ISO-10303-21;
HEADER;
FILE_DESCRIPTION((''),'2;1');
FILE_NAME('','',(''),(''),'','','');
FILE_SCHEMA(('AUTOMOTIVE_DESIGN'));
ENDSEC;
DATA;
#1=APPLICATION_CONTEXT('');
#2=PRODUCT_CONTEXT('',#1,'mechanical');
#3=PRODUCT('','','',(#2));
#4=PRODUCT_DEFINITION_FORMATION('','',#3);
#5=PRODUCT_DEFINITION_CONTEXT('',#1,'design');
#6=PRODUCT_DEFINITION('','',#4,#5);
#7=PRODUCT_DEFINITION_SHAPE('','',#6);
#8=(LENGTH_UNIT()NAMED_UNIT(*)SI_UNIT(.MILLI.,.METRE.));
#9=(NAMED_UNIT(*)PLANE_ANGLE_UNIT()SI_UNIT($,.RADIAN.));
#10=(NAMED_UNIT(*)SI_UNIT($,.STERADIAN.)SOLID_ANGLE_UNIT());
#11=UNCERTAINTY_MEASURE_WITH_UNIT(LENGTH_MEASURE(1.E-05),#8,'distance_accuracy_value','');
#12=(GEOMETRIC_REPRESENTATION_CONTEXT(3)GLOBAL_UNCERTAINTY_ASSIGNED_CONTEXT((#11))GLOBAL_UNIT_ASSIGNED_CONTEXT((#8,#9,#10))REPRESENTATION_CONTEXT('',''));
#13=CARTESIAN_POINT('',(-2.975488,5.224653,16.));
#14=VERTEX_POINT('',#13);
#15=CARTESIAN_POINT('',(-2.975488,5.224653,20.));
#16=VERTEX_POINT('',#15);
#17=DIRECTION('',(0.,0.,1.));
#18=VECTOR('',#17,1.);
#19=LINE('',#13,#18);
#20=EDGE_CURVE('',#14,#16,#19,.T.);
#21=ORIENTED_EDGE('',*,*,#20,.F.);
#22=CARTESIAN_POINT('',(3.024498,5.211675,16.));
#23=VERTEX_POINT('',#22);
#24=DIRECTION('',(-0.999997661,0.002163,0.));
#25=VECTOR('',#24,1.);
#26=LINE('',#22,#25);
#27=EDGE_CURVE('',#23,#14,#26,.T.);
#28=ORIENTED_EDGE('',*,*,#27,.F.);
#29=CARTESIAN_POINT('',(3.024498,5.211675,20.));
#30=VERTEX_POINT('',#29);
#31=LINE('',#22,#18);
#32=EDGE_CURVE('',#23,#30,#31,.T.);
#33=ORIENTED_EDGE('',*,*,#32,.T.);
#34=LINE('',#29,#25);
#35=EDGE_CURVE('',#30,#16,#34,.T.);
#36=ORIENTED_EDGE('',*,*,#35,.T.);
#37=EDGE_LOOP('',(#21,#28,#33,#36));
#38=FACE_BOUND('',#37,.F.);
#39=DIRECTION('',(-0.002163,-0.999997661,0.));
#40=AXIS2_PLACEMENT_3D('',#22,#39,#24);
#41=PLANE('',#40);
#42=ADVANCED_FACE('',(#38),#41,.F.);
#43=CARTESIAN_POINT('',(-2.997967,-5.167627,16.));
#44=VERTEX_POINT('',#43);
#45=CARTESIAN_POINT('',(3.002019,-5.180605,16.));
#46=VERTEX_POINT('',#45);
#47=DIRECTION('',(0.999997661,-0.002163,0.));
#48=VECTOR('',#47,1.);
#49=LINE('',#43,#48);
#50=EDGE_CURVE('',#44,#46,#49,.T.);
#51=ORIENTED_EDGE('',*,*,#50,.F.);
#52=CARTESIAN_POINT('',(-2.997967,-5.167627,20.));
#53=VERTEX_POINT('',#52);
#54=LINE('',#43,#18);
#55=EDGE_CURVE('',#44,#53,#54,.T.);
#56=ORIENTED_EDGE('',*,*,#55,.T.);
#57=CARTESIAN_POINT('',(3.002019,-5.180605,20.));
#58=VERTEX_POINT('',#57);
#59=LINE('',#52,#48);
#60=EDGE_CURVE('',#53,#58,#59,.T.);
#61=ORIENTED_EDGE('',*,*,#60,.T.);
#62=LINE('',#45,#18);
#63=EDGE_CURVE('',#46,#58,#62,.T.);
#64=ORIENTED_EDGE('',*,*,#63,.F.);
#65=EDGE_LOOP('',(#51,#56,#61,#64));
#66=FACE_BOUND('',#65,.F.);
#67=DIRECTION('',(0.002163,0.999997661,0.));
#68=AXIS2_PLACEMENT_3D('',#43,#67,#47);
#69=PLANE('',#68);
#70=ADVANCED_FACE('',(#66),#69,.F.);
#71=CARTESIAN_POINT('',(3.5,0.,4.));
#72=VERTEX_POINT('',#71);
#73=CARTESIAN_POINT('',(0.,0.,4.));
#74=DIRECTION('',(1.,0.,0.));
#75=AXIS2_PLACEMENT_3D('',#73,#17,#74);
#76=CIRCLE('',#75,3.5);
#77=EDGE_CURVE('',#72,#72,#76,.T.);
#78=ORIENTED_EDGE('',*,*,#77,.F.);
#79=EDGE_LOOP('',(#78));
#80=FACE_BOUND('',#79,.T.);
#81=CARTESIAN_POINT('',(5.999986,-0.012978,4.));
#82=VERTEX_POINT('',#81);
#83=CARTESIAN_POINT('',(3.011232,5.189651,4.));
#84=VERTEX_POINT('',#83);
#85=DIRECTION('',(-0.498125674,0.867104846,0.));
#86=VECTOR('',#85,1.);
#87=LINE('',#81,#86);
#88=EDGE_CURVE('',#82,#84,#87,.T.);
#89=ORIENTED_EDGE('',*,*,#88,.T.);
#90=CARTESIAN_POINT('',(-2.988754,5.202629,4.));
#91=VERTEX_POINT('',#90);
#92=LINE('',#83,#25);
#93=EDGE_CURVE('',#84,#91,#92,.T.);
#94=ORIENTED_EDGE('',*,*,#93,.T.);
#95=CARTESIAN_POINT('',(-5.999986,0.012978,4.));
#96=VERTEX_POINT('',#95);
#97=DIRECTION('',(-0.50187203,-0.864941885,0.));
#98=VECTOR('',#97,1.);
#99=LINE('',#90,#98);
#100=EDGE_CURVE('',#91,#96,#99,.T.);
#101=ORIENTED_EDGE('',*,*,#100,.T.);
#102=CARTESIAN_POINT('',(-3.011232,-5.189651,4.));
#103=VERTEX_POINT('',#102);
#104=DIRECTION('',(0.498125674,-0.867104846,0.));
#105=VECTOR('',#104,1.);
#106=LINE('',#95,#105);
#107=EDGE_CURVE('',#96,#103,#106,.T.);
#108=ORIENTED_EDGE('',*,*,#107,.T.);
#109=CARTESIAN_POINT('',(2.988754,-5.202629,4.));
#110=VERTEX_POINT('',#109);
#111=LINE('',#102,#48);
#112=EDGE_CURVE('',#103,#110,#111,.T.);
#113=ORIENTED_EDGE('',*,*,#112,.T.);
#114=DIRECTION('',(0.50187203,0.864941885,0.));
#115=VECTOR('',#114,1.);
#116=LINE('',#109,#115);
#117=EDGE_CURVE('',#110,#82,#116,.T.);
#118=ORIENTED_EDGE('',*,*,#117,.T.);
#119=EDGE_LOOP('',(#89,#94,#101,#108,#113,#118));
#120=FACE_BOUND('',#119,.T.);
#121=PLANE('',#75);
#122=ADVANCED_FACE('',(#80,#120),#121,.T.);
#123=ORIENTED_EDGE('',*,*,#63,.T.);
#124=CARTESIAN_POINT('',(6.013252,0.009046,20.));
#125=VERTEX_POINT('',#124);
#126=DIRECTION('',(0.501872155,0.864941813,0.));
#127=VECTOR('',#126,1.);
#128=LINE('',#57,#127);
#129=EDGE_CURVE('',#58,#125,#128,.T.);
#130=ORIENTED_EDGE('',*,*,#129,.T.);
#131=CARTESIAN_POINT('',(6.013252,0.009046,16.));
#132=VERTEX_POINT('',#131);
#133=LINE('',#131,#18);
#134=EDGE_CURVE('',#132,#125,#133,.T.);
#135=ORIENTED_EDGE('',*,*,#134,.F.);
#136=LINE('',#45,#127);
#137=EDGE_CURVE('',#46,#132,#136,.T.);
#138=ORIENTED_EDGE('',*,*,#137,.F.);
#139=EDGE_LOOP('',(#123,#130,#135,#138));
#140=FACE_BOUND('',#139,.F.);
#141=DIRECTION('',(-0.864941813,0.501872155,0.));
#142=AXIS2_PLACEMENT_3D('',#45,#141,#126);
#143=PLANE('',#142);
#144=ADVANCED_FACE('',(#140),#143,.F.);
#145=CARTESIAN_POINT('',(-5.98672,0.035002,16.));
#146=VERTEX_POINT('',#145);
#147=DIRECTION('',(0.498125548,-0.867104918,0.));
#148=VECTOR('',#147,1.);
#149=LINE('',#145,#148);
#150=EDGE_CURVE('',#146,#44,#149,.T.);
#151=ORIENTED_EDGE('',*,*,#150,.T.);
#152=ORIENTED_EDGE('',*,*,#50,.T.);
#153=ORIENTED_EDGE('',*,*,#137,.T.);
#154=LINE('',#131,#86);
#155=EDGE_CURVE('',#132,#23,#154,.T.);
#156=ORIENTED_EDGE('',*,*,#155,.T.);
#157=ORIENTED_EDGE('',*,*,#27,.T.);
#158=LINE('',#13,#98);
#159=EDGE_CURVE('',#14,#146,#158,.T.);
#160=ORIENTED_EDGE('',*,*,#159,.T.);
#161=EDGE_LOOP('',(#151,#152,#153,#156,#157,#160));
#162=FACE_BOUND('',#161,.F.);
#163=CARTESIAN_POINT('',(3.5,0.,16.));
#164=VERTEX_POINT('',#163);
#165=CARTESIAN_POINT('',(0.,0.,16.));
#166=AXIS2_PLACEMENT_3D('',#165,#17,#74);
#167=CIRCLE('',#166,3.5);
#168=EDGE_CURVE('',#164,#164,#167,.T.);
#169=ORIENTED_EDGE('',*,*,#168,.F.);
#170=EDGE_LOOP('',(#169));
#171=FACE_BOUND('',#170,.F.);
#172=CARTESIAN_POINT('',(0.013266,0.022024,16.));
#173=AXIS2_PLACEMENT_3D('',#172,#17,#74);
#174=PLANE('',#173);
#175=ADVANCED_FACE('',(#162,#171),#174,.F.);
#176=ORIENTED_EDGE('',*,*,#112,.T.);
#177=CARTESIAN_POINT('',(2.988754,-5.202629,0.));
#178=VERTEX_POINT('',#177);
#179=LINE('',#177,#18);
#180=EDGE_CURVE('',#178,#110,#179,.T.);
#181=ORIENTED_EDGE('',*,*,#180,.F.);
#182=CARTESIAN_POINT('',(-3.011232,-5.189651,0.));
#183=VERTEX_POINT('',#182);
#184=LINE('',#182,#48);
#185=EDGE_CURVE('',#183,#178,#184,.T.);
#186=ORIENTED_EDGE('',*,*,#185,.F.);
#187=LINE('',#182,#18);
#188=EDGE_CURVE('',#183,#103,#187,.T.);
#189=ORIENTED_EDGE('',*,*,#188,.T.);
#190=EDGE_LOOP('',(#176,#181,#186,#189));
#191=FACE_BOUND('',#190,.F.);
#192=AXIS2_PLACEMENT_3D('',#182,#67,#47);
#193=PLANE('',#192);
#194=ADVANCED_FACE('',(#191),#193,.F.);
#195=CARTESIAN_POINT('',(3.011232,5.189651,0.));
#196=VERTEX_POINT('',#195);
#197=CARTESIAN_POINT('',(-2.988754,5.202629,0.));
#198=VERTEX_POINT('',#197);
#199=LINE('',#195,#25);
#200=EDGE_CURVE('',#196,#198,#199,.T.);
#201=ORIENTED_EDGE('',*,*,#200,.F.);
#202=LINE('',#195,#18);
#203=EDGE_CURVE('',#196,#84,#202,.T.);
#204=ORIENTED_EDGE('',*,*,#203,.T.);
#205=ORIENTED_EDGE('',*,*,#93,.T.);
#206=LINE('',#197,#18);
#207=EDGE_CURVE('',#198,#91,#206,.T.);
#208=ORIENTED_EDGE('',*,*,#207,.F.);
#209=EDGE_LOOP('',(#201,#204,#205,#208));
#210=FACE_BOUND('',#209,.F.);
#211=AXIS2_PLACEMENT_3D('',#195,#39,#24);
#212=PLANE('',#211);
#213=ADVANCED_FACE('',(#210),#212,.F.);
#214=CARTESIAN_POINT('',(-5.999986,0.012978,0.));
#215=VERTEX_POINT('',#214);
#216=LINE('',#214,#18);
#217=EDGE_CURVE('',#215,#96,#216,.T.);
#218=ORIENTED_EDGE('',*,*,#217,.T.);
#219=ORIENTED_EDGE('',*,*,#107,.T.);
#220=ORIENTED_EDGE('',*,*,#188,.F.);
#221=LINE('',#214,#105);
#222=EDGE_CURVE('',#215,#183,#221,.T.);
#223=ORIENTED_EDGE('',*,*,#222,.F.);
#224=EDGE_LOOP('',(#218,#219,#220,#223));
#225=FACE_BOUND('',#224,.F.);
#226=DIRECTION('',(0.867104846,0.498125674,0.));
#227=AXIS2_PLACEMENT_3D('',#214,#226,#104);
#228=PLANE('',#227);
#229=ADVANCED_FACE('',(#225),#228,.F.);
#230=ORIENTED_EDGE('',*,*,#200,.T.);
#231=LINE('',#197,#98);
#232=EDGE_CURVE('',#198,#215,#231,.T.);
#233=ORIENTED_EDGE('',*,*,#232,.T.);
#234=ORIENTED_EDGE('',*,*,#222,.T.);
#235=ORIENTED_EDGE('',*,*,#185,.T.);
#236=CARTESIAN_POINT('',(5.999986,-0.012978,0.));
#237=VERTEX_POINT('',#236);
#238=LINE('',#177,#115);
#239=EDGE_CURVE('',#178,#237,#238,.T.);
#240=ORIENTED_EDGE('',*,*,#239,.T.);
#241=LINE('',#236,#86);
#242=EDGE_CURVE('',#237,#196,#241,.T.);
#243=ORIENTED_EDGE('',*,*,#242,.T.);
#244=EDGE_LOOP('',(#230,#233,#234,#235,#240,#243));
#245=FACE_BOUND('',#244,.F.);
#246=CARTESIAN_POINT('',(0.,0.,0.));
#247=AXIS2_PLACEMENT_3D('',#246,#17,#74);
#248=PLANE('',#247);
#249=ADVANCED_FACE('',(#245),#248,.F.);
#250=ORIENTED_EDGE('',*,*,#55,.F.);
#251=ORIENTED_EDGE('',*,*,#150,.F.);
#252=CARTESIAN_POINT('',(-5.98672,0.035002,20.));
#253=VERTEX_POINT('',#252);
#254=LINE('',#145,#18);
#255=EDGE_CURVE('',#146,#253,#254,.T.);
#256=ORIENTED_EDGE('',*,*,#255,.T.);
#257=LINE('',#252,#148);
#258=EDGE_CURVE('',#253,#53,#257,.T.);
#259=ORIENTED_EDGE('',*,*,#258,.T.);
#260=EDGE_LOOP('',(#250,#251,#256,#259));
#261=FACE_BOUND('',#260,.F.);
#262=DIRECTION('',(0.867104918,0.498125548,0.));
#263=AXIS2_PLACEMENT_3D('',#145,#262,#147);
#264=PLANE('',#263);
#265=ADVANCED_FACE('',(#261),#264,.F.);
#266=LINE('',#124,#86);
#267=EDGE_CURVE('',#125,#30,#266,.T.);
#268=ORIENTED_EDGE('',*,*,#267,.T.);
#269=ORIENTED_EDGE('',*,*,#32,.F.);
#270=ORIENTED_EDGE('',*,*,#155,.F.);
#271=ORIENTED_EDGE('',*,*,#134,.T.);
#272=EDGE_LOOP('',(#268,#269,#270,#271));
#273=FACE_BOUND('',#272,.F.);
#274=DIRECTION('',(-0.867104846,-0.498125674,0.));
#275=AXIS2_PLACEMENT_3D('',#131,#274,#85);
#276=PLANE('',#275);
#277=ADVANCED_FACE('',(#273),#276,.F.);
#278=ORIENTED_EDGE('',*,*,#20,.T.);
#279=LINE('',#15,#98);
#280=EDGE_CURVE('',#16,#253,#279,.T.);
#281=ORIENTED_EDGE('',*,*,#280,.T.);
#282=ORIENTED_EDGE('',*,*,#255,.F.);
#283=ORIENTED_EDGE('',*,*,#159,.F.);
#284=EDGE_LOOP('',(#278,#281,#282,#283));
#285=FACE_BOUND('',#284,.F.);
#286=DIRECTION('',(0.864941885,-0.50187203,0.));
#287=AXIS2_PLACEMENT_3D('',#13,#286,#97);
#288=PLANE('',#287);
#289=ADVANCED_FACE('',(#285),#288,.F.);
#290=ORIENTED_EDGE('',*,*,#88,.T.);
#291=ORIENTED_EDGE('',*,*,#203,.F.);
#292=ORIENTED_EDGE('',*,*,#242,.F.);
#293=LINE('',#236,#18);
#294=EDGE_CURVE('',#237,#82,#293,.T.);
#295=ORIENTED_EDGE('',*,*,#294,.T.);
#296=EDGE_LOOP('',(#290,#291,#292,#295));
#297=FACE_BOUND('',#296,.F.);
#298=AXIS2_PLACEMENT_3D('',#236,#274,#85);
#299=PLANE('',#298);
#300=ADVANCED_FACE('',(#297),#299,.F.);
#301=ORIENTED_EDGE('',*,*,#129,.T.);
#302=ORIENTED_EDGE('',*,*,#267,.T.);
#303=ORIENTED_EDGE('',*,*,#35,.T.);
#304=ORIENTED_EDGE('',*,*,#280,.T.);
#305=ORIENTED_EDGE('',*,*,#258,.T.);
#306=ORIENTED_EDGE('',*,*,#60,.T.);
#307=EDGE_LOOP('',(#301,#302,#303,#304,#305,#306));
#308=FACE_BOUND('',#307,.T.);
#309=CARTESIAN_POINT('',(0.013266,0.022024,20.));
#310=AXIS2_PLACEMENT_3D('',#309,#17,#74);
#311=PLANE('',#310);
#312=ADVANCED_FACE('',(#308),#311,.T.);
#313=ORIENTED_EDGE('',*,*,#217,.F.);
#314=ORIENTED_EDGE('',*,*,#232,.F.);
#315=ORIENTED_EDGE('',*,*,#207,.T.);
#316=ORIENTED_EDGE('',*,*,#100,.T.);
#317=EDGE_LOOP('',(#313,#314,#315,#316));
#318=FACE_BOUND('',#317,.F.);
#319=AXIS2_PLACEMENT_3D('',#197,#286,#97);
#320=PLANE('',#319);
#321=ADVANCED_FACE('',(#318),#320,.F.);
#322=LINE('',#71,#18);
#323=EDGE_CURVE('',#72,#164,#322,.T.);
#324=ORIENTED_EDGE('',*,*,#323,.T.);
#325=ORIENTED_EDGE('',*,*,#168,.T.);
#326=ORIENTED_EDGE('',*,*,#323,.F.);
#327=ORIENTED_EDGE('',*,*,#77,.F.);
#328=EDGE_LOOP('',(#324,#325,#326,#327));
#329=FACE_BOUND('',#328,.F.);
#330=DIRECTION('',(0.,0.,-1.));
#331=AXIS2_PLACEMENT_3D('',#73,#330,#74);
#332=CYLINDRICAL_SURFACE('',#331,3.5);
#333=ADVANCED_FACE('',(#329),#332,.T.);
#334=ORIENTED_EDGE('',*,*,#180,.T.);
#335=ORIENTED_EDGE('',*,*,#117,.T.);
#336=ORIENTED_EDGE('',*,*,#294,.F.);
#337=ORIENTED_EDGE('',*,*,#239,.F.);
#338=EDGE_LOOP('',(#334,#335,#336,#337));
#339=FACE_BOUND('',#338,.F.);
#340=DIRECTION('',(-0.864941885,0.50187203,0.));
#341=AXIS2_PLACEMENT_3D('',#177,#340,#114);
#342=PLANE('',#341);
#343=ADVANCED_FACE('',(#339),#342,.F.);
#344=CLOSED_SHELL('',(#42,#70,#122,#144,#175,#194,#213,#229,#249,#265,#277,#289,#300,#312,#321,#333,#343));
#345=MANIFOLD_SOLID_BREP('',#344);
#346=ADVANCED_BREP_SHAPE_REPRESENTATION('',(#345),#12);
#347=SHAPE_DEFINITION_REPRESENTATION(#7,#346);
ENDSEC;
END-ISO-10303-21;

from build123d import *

# Parameters (mm, degrees)
F1_DEPTH = 4
F2_R     = 3.5
F3_DEPTH = 12
F4_R     = 3.5
F5_DEPTH = 4


with BuildPart() as f1:
    # F0 (on Top) → F1 (new body)
    with BuildSketch(Plane.XY):
        Polygon((2.988754, -5.202629), (5.999986, -0.012978), (3.011232, 5.189651), (-2.988754, 5.202629), (-5.999986, 0.012978), (-3.011232, -5.189651), align=None)
    extrude(amount=F1_DEPTH)

    # F2 (on face) → F3 (join)
    with BuildSketch(Plane.XY.offset(4)):
        Circle(F2_R)
    extrude(amount=F3_DEPTH)

    # F4 (on face) → F5 (join)
    with BuildSketch(Plane.XY.offset(16)):
        Polygon((3.002019, -5.180605), (6.013252, 0.009046), (3.024498, 5.211675), (-2.975488, 5.224653), (-5.98672, 0.035002), (-2.997967, -5.167627), align=None)
        Circle(F4_R, mode=Mode.SUBTRACT)
        Circle(F4_R)
    extrude(amount=F5_DEPTH)


solid = f1.part
